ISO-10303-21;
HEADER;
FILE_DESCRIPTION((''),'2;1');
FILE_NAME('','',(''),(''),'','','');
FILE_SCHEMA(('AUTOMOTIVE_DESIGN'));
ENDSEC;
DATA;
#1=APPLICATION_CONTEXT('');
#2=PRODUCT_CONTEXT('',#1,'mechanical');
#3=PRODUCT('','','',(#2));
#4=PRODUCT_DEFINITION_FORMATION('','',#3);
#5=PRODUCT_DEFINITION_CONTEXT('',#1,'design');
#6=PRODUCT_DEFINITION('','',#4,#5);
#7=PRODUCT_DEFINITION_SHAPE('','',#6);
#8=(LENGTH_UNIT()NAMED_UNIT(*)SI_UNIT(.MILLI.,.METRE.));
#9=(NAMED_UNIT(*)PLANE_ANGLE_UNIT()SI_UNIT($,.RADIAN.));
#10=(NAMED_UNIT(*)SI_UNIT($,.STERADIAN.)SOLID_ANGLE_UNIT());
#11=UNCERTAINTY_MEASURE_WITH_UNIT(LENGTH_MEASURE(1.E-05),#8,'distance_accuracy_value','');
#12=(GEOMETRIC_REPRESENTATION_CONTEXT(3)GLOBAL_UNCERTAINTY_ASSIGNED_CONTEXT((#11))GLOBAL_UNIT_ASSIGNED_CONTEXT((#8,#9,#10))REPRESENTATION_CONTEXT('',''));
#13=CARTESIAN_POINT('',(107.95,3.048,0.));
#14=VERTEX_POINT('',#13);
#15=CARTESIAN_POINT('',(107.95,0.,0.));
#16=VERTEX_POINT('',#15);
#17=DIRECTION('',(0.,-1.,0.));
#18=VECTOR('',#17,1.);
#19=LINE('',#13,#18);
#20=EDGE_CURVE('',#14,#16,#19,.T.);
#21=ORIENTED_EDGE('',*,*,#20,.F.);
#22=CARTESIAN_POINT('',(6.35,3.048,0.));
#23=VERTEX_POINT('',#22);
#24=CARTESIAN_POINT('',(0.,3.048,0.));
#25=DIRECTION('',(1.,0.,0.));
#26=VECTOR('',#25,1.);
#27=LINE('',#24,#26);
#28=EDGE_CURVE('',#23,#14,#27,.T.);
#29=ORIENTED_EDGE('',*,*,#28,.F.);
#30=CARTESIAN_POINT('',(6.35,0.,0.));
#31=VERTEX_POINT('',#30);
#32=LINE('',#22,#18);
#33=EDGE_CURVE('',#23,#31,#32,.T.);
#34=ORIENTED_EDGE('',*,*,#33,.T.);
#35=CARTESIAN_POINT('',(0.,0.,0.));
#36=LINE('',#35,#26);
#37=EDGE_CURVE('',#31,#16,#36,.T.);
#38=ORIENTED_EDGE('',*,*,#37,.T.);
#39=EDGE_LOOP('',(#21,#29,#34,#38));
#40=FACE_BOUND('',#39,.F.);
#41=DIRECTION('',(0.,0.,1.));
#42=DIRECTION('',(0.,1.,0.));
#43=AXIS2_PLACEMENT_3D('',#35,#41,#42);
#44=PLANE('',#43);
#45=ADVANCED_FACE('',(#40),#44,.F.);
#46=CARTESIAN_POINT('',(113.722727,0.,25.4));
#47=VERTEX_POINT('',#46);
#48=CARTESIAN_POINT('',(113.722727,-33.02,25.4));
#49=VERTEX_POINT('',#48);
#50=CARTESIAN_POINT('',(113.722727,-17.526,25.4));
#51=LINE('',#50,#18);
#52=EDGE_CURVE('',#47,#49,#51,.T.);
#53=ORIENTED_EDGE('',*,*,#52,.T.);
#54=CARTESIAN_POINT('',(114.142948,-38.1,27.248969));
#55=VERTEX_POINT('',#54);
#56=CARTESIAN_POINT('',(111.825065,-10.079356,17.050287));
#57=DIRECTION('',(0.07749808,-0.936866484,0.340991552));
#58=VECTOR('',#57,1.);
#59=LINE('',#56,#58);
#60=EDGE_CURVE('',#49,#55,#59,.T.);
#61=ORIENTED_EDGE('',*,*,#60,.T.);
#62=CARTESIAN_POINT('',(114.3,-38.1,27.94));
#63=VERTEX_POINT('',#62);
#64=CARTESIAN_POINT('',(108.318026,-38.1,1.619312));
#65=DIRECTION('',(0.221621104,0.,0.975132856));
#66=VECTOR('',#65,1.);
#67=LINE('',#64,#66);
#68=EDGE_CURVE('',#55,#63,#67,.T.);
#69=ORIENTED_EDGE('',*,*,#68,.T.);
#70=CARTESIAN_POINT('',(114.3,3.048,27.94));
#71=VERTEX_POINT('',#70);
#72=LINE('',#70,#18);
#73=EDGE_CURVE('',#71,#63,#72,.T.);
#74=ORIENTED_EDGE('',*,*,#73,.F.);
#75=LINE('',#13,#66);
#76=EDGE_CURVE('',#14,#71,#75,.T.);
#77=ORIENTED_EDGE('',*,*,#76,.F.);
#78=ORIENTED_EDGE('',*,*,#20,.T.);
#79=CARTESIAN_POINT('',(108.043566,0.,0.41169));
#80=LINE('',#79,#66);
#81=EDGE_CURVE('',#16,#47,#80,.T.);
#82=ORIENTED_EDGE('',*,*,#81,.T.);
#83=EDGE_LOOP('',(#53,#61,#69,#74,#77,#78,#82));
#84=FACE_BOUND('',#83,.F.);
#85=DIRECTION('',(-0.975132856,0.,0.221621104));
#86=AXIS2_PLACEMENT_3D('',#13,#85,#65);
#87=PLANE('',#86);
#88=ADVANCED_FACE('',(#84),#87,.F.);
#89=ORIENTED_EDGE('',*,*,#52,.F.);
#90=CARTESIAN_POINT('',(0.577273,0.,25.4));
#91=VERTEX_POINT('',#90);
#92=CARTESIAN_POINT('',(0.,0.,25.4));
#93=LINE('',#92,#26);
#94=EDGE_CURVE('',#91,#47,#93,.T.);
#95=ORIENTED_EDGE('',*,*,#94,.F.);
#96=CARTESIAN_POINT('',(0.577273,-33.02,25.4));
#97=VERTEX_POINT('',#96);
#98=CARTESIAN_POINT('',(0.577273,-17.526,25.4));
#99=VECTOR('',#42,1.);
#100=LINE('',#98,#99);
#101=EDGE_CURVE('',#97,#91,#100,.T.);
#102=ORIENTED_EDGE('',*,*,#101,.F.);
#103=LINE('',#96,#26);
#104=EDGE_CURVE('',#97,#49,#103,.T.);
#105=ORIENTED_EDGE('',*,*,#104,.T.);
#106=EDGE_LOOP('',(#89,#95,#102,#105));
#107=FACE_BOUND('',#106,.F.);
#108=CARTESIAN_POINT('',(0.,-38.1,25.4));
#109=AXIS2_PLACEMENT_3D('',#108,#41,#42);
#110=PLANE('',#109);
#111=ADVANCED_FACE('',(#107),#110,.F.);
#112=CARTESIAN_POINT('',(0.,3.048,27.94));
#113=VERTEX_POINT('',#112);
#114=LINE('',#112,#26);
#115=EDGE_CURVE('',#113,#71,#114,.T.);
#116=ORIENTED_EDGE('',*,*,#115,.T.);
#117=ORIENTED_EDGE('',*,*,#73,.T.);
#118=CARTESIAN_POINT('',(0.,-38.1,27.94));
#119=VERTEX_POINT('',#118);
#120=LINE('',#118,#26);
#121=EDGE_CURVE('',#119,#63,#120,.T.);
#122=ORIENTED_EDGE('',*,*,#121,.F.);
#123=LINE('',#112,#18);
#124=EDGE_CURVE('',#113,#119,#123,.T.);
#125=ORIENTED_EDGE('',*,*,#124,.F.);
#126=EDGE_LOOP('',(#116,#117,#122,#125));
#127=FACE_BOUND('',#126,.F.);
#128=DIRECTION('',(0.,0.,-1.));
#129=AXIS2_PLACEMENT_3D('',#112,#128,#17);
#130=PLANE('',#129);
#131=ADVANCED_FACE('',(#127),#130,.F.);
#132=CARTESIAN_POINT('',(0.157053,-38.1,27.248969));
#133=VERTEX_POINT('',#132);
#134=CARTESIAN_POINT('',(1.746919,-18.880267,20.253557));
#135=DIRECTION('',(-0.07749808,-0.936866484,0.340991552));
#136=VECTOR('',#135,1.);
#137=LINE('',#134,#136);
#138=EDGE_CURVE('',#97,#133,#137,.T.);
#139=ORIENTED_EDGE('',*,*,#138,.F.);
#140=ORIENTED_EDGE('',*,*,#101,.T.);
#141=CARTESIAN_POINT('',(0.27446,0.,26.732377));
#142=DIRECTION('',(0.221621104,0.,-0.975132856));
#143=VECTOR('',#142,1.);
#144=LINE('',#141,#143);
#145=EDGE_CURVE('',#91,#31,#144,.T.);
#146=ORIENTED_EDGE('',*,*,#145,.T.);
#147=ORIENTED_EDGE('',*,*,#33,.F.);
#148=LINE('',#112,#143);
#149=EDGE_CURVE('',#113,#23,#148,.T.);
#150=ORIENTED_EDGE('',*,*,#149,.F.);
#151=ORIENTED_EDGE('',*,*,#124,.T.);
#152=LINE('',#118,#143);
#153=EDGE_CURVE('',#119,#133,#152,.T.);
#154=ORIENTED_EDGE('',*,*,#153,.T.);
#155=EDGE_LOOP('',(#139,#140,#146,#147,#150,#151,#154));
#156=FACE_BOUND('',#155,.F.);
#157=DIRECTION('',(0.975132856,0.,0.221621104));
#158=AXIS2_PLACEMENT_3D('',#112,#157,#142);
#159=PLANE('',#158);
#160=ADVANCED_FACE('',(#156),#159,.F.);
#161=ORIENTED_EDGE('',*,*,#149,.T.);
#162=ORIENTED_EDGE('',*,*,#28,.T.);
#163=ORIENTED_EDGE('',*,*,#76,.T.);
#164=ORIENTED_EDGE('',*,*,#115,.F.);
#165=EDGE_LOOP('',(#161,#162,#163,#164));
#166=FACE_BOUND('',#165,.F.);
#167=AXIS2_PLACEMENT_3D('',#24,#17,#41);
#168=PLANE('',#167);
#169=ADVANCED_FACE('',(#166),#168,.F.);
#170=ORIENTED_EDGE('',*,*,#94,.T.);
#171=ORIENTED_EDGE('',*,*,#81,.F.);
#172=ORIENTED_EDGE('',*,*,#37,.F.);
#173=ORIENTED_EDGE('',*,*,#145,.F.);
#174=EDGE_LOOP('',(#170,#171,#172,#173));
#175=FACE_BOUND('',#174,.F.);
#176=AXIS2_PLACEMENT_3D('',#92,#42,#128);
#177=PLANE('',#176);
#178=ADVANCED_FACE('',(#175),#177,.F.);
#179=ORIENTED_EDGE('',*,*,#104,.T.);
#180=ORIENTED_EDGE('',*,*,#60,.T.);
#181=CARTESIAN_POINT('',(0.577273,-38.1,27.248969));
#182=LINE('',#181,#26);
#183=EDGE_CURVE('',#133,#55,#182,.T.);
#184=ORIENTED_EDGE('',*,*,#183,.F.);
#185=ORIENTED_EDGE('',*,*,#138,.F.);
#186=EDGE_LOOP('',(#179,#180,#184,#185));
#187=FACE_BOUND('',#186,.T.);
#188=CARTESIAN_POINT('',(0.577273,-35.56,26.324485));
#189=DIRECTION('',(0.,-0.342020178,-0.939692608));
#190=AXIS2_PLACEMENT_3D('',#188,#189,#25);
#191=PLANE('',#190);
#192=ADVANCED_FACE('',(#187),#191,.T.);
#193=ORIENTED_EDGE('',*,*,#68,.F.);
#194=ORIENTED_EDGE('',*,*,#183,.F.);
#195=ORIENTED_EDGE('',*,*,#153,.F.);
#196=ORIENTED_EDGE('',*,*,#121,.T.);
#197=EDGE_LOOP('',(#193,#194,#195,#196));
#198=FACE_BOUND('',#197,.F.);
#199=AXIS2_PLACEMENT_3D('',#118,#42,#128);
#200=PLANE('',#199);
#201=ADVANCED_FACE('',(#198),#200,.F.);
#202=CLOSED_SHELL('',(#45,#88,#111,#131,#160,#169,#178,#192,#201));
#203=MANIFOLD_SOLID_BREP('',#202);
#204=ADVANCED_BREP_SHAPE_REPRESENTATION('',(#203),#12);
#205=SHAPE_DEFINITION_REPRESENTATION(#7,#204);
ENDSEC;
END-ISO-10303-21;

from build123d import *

# Parameters (mm, degrees)
F1_DEPTH = 114.3
F3_DEPTH = 41.149
F4_SIZE2 = 1.848969
F4_SIZE  = 5.08


with BuildPart() as f1:
    # F0 (on Right) → F1 (new body)
    with BuildSketch(Plane.YZ):
        Polygon((0, 25.4), (0, 0), (3.048, 0), (3.048, 27.94), (-38.1, 27.94), (-38.1, 25.4), align=None)
    extrude(amount=F1_DEPTH)

    # F2 (on face) → F3 (cut, through all)
    with BuildSketch(Plane(origin=(0, 3.048, 0), x_dir=(-1, 0, 0), z_dir=(0, 1, 0))):
        Polygon((-107.95, 0), (-114.3, 27.94), (-114.3, 0), align=None)
        Polygon((0, 0), (0, 27.94), (-6.35, 0), align=None)
    extrude(amount=-F3_DEPTH, mode=Mode.SUBTRACT)

    # F4
    f4_edges = [f1.edges().sort_by_distance(p)[0] for p in [
        (57.15, -38.1, 25.4),
    ]]
    chamfer(f4_edges, length=F4_SIZE, length2=F4_SIZE2)


solid = f1.part
